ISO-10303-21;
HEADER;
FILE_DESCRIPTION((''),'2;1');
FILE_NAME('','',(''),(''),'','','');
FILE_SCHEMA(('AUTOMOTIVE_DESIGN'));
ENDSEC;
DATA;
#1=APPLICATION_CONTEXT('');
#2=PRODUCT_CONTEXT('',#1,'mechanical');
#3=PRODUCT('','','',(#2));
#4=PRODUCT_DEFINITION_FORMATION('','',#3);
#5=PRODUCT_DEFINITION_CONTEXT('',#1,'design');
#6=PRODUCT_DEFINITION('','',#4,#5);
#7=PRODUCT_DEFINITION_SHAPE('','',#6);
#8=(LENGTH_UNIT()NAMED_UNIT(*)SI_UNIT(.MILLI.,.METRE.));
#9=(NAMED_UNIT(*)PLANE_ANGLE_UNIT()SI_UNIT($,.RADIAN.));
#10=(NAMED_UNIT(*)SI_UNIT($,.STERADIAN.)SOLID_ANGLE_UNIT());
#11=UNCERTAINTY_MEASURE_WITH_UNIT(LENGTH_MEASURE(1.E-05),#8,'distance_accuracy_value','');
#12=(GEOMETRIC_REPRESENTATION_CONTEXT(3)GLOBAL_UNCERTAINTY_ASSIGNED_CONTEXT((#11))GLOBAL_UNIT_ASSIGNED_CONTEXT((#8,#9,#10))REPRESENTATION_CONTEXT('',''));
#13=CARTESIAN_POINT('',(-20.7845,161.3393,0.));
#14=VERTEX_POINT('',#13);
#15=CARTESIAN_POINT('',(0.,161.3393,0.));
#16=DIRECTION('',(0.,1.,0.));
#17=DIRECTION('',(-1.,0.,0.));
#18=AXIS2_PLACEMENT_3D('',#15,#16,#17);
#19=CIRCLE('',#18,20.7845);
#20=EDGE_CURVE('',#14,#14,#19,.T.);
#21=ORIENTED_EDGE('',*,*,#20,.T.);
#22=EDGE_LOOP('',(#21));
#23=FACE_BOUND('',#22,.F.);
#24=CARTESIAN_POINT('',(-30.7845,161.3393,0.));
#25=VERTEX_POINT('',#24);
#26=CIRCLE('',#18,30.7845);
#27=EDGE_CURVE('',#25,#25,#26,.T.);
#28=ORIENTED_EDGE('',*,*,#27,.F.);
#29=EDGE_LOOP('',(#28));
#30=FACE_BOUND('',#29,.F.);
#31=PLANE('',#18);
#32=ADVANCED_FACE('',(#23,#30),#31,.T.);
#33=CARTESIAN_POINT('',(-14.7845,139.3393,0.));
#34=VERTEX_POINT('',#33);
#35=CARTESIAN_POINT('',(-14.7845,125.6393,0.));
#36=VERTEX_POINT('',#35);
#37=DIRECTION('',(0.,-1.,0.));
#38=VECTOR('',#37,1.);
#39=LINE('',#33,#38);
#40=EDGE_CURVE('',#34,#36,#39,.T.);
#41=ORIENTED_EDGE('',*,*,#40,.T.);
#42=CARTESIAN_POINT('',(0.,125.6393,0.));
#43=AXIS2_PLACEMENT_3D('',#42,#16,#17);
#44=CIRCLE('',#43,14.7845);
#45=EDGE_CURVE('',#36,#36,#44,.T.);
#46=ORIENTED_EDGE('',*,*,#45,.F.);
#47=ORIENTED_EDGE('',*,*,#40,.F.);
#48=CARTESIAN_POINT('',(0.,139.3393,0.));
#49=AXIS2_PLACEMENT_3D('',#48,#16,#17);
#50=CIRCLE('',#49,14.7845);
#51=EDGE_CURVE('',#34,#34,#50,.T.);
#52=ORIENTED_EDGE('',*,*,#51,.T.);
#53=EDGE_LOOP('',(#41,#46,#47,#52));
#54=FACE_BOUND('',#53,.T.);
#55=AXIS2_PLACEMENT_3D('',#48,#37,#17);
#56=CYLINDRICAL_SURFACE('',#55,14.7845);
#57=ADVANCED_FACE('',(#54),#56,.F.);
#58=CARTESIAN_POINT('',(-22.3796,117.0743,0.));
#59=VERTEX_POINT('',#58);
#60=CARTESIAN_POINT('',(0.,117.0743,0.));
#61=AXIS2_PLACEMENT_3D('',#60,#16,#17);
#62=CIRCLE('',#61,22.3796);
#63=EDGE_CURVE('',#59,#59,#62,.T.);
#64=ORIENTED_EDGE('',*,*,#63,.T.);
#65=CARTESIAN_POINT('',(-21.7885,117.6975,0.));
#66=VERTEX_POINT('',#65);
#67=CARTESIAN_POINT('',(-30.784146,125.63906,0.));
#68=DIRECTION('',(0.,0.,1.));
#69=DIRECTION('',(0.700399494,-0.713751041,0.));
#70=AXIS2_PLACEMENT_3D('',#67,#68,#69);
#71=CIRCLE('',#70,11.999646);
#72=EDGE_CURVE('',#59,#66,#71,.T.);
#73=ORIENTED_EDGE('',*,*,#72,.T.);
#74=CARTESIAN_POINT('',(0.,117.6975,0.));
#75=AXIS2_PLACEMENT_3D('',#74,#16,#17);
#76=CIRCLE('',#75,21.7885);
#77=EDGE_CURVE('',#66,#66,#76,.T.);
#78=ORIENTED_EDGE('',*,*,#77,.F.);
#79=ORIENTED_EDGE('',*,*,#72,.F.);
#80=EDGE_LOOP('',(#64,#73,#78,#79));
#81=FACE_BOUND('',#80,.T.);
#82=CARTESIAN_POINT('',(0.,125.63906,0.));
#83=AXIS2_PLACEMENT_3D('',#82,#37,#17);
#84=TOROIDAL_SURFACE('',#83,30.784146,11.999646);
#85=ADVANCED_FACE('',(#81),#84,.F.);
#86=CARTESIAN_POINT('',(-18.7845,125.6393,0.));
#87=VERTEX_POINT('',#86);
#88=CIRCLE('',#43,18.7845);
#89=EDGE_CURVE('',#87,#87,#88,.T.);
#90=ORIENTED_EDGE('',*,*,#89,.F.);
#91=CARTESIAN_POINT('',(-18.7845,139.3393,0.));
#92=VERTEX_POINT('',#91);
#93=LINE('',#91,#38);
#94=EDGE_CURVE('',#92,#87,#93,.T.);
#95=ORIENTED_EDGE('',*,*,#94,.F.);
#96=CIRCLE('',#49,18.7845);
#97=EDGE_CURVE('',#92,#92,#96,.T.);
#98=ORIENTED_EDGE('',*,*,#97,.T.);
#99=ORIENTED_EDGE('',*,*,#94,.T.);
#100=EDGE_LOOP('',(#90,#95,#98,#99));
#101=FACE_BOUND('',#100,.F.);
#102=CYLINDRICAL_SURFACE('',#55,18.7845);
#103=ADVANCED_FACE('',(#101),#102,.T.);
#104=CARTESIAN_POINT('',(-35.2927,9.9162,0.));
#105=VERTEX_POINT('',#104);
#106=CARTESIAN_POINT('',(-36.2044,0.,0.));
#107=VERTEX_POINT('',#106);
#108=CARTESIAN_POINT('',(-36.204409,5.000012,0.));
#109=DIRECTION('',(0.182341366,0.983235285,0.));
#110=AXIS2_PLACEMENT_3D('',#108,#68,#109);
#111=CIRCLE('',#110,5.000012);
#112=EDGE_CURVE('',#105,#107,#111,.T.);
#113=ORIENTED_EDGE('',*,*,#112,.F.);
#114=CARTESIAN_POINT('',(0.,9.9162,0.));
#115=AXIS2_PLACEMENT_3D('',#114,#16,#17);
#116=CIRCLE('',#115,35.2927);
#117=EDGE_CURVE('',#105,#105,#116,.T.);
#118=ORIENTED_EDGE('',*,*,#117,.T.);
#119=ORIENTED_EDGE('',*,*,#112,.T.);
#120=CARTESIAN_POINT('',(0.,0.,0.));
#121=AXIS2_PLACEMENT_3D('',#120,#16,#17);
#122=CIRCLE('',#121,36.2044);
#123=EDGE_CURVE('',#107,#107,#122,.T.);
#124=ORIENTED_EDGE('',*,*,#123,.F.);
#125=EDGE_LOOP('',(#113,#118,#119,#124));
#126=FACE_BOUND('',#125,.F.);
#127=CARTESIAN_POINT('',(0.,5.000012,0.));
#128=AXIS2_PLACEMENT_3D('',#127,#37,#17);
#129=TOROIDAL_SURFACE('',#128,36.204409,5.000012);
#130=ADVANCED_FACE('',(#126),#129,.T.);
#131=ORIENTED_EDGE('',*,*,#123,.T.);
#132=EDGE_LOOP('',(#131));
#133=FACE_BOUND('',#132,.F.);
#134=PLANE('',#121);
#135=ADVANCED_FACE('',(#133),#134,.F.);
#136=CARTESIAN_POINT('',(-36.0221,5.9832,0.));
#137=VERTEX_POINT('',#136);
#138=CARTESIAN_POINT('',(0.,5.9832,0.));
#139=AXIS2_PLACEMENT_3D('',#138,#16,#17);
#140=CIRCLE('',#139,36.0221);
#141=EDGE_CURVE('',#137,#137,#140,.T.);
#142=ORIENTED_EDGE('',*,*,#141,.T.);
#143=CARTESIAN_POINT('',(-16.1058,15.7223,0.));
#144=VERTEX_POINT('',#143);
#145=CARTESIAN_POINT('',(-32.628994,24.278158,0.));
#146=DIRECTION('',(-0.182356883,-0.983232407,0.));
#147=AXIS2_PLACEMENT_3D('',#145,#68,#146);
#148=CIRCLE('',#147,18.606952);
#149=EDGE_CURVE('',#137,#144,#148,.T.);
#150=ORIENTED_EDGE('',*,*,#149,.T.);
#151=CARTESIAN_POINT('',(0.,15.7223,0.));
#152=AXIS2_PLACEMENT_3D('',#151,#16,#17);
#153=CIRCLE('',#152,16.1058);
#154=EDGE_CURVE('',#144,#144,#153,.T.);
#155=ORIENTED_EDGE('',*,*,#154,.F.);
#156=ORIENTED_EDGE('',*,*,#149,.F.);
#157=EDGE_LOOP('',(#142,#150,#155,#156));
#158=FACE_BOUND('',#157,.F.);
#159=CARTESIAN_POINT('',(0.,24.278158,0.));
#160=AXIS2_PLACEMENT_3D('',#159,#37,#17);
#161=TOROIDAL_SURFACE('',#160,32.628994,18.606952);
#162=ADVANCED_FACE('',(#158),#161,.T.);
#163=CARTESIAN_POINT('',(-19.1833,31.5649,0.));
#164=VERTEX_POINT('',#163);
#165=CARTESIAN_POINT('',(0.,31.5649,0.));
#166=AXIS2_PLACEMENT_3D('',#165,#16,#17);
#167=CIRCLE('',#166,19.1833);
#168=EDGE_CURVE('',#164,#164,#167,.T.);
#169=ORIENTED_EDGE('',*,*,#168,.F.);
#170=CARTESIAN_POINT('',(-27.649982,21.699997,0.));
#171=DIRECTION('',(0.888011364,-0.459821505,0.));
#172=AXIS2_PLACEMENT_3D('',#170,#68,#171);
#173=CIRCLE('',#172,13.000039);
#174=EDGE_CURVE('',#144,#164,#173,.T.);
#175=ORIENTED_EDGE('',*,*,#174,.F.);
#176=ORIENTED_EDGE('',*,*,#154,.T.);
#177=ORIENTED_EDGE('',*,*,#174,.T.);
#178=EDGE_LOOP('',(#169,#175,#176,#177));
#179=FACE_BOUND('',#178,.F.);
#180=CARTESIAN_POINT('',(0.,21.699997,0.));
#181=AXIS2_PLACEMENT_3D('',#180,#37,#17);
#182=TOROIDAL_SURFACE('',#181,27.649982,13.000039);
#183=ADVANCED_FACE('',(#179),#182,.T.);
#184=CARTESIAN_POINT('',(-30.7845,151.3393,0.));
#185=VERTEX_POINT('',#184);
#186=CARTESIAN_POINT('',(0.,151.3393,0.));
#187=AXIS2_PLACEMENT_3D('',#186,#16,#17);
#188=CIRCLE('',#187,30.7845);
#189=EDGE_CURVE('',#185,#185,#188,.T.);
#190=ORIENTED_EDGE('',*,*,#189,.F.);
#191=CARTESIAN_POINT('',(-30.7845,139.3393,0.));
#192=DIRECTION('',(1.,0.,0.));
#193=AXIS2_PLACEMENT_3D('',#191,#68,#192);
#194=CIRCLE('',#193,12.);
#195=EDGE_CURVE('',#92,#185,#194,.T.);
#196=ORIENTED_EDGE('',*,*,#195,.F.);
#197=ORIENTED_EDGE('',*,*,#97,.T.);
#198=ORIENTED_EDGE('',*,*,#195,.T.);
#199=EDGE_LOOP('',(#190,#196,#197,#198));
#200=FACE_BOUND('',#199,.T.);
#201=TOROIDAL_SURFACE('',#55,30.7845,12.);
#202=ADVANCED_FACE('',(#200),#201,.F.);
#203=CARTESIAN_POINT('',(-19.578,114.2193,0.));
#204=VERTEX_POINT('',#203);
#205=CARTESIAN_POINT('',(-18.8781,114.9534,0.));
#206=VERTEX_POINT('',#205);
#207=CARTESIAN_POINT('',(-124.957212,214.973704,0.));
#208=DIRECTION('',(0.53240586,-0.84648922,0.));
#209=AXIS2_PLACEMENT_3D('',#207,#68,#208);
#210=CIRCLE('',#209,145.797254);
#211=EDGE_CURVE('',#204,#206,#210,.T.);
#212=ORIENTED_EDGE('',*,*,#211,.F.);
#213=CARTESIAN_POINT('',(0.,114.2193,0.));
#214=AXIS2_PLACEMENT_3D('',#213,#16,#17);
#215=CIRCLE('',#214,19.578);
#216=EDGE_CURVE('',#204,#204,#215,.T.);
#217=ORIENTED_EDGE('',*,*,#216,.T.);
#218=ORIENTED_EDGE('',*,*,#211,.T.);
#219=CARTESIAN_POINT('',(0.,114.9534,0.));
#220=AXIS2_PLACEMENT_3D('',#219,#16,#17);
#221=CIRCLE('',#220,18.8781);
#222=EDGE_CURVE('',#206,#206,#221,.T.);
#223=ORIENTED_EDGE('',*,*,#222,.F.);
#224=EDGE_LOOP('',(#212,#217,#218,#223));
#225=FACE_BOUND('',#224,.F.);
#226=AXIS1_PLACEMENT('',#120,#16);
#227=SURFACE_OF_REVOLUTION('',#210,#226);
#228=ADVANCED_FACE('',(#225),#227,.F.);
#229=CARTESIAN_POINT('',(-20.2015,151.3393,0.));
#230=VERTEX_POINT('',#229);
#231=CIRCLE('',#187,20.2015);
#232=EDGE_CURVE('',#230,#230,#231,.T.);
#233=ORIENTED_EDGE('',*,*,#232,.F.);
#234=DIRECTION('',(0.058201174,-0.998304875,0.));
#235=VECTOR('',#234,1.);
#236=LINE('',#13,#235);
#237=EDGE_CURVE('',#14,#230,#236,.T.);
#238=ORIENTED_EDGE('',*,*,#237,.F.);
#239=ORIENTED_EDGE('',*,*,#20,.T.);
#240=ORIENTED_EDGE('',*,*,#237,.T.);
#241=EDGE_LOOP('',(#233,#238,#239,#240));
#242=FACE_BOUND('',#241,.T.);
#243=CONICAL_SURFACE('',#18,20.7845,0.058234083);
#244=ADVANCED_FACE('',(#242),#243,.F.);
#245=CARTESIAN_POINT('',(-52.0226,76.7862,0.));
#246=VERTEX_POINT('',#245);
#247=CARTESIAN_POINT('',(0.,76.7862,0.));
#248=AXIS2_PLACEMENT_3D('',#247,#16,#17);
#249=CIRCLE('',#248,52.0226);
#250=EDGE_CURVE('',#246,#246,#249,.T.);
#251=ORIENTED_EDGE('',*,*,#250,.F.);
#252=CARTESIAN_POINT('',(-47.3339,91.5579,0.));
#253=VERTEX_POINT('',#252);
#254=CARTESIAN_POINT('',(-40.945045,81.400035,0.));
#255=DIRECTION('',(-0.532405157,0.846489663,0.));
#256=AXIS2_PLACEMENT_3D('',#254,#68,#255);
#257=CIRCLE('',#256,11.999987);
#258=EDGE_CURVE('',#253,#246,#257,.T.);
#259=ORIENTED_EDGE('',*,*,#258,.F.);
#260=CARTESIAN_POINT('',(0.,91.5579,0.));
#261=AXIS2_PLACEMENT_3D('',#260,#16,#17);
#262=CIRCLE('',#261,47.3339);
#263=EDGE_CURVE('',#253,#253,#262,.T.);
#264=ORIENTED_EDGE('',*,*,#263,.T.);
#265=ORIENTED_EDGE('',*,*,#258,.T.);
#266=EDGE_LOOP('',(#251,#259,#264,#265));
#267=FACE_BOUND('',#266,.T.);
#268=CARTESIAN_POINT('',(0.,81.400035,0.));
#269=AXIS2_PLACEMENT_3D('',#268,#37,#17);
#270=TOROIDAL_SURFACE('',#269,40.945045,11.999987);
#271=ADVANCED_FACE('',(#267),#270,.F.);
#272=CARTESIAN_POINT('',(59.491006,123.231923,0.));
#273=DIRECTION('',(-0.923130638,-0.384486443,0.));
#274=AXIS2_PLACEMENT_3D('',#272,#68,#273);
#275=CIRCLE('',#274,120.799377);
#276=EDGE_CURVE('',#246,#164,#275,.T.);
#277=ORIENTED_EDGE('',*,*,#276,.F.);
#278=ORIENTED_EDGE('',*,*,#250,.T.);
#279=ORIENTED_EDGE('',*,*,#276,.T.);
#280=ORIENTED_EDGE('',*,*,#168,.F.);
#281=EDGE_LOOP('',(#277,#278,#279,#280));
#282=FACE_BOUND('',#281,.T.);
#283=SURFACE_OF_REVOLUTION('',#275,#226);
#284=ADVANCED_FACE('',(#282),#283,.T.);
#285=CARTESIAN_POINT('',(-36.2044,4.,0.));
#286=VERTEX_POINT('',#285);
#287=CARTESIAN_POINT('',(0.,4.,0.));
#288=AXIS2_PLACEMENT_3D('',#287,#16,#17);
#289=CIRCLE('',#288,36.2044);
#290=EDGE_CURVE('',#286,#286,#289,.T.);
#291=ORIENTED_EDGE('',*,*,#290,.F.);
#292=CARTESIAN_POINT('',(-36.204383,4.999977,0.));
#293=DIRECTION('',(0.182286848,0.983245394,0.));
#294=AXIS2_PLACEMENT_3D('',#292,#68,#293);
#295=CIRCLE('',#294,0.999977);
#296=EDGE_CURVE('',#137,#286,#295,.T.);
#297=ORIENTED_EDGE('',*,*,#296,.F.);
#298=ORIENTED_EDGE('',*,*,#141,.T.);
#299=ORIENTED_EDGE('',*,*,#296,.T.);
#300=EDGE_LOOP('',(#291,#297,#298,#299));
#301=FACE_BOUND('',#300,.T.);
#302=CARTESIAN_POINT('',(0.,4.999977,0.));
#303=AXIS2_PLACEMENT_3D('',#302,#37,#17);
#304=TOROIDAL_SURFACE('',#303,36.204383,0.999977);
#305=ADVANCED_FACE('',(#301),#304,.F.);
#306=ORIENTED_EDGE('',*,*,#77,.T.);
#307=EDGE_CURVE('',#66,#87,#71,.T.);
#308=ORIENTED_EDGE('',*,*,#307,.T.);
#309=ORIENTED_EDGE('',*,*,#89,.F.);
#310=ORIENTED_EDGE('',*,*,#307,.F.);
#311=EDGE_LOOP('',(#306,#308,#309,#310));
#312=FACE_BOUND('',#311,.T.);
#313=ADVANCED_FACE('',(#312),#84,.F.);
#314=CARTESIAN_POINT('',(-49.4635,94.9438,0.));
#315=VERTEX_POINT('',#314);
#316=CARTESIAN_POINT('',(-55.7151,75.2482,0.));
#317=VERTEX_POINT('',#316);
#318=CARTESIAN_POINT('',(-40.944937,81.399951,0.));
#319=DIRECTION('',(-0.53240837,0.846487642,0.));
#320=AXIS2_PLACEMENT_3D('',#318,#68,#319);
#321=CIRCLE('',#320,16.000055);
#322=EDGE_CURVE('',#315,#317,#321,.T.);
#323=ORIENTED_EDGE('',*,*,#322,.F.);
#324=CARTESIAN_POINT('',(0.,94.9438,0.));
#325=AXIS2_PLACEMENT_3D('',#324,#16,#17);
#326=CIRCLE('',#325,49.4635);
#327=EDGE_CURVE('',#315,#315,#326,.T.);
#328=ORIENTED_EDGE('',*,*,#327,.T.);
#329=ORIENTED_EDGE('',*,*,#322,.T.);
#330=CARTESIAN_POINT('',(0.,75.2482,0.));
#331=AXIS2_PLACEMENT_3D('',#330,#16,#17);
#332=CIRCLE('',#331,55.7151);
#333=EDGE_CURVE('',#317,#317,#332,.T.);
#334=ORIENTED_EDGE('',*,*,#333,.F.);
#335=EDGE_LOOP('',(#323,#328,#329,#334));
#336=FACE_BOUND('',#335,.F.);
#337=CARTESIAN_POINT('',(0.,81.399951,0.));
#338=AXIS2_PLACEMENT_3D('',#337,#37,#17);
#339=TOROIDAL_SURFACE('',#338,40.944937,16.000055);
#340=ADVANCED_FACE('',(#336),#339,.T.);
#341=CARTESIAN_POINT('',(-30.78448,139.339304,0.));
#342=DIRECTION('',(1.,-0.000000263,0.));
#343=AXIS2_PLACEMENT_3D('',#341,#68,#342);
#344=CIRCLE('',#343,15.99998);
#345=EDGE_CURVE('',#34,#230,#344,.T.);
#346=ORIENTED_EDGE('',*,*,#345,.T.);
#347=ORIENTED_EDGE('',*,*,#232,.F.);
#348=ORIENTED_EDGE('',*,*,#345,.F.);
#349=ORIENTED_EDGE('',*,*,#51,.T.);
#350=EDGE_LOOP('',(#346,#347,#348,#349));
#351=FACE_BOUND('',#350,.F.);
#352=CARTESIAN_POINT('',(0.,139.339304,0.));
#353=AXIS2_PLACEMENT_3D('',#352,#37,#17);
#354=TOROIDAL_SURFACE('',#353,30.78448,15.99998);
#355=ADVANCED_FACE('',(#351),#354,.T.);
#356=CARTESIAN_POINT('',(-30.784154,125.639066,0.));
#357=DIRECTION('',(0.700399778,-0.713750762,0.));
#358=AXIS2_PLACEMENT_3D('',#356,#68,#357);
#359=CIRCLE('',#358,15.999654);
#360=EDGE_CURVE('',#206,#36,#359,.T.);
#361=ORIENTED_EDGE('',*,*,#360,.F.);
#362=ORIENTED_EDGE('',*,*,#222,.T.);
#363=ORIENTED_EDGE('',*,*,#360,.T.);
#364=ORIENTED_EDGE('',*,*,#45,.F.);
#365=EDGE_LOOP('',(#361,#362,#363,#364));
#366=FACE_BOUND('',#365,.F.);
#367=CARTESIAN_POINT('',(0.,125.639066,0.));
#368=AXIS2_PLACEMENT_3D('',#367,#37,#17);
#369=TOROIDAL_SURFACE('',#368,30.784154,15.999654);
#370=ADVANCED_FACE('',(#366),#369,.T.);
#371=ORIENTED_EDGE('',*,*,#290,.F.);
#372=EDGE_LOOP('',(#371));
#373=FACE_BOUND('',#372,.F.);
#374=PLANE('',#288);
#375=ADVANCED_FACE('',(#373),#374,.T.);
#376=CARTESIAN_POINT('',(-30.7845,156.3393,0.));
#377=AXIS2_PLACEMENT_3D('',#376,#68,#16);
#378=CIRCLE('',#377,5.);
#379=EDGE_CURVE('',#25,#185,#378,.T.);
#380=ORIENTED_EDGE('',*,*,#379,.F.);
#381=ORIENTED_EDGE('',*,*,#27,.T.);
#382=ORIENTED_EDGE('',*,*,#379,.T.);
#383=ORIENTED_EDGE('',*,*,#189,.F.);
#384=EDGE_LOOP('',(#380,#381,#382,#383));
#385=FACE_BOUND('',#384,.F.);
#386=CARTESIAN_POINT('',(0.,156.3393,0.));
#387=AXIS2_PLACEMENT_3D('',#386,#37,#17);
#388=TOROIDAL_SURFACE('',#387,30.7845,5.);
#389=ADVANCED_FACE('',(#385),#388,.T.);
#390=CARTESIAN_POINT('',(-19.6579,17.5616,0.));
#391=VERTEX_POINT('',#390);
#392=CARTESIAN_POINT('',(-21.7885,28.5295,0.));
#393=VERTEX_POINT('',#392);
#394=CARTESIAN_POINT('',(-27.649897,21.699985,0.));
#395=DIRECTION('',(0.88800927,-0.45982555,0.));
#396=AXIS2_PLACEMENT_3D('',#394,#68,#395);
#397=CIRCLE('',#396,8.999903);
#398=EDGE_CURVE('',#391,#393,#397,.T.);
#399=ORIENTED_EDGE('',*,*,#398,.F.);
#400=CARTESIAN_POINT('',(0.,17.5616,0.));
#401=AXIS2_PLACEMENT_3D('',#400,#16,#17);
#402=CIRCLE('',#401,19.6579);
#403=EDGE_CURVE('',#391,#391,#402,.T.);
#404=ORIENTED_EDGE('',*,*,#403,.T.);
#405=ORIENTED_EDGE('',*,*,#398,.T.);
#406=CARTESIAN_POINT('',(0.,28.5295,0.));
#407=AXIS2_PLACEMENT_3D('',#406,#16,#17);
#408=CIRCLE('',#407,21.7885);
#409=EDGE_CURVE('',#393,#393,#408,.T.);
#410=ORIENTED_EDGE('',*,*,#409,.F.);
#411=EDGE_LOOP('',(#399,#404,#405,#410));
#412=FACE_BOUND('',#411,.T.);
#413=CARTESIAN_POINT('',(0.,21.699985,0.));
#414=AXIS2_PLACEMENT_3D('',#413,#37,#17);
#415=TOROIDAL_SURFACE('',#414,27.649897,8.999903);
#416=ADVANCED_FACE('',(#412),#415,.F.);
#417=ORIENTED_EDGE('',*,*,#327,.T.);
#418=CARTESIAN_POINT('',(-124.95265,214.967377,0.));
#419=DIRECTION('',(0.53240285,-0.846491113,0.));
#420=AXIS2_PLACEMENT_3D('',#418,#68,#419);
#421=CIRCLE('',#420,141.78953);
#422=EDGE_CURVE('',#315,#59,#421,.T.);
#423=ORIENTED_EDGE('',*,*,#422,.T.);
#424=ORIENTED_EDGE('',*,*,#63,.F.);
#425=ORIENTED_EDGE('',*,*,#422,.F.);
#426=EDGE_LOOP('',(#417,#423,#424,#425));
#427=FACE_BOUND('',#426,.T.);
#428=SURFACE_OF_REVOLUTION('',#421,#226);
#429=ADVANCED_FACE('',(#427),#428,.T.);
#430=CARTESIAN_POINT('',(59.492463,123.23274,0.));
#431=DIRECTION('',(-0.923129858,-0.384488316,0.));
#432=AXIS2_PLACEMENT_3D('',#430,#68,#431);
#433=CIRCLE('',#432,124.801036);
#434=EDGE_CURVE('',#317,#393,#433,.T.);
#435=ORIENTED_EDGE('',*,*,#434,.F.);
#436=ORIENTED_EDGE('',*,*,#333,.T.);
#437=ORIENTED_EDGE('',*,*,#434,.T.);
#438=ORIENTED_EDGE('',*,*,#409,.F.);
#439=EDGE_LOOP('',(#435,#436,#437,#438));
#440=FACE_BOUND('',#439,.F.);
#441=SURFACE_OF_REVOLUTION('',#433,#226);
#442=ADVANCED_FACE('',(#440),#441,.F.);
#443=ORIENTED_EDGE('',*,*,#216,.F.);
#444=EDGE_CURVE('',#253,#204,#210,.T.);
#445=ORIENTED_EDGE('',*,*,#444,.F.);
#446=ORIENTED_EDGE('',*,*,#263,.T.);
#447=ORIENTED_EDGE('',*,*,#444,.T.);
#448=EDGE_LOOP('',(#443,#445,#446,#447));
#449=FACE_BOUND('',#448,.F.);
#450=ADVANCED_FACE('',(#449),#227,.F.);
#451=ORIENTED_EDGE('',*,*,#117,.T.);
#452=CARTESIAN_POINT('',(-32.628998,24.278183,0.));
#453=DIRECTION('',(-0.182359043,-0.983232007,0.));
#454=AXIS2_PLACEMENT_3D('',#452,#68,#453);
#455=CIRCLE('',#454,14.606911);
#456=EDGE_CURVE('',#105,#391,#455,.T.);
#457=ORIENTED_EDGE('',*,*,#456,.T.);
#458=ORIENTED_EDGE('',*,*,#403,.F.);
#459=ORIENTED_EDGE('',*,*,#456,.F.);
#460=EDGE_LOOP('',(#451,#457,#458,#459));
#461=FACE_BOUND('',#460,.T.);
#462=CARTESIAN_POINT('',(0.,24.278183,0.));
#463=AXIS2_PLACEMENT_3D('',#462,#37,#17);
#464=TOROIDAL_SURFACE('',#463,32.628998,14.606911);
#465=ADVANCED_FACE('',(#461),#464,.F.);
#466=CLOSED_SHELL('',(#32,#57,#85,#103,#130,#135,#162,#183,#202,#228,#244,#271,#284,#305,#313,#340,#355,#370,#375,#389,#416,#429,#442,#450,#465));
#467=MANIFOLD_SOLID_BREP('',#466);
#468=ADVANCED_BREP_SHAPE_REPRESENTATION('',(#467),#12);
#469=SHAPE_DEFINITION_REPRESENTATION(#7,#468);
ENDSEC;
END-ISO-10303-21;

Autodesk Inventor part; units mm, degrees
ref_plane "YZ Plane" through (0, 0, 0) normal (1, 0, 0) x (0, 1, 0)
ref_plane "XZ Plane" through (0, 0, 0) normal (0, 1, 0) x (-1, 0, 0)
ref_plane "XY Plane" through (0, 0, 0) normal (0, 0, 1) x (1, 0, 0)
sketch "Sketch1" plane through (0, 0, 0) normal (0, 0, 1) x (1, 0, 0)
  line L0 (-263.2137, 47.6556) -> (-59.7844, 47.6556) construction
  line L1 (-59.7844, 47.6556) -> (-59.7844, -127.6195) construction
  line L2 (-59.7844, -127.6195) -> (-263.2137, -127.6195) construction
  line L3 (-263.2137, -127.6195) -> (-263.2137, 47.6556) construction
  line L4 (-20.7845, 161.3393) -> (-30.7845, 161.3393)
  arc A0 (-30.7845, 161.3393) -> (-30.7845, 151.3393) centre (-30.7845, 156.3393) ccw
  arc A1 (-19.6579, 17.5616) -> (-21.7885, 28.5295) centre (-27.65, 21.7) ccw
  arc A2 (-35.2927, 9.9162) -> (-36.2044, 0) centre (-36.2044, 5) ccw
  arc A3 (-49.4635, 94.9438) -> (-55.7151, 75.2482) centre (-40.945, 81.4) ccw
  arc A4 (-55.7151, 75.2482) -> (-21.7885, 28.5295) centre (59.4915, 123.2322) ccw
  arc A5 (-35.2927, 9.9162) -> (-19.6579, 17.5616) centre (-32.629, 24.2782) ccw
  arc A6 (-18.7845, 139.3393) -> (-30.7845, 151.3393) centre (-30.7845, 139.3393) ccw
  line L5 (-18.7845, 139.3393) -> (-18.7845, 125.6393)
  arc A7 (-22.3796, 117.0743) -> (-18.7845, 125.6393) centre (-30.7845, 125.6393) ccw
  arc A8 (-49.4635, 94.9438) -> (-21.7885, 117.6975) centre (-124.9562, 214.9723) ccw
  line L6 (0, 0) -> (0, 197.1464)
  line L7 (0, 0) -> (0, -39.9819)
  line L8 (-36.2044, 0) -> (0, 0)
  line L9 (0, 4) -> (-36.2044, 4)
  arc A9 (-36.0221, 5.9832) -> (-36.2044, 4) centre (-36.2044, 5) ccw
  arc A10 (-36.0221, 5.9832) -> (-16.1058, 15.7223) centre (-32.629, 24.2782) ccw
  arc A11 (-16.1058, 15.7223) -> (-19.1833, 31.5649) centre (-27.65, 21.7) ccw
  arc A12 (-52.0226, 76.7862) -> (-19.1833, 31.5649) centre (59.4915, 123.2322) ccw
  arc A13 (-47.3339, 91.5579) -> (-52.0226, 76.7862) centre (-40.945, 81.4) ccw
  arc A14 (-47.3339, 91.5579) -> (-18.8781, 114.9534) centre (-124.9562, 214.9723) ccw
  arc A15 (-14.7845, 139.3393) -> (-20.2015, 151.3393) centre (-30.7845, 139.3393) ccw
  line L10 (-14.7845, 139.3393) -> (-14.7845, 125.6393)
  arc A16 (-19.578, 114.2193) -> (-14.7845, 125.6393) centre (-30.7845, 125.6393) ccw
  line L11 (-20.7845, 161.3393) -> (-20.2015, 151.3393)
  line L12 (0, 4) -> (0, 0)
  point P0 (-0.7845, 155.0151)
  point P1 (34.2155, 155.0151)
  point P2 (-35.7845, 156.3393)
  point P3 (-19.5283, 114.2683)
  dimension "d12" = 5
  dimension "d21" = 18
  dimension "d24" = 10
  dimension "d25" = 32
  dimension "d26" = 59.7
  dimension "d27" = 124.8
  dimension "d32" = 24
  dimension "d33" = 13.7
  dimension "d34" = 24
  dimension "d36" = 16.7
  dimension "d39" = 4
revolve "Revolution1" add sketch "Sketch1" angle 360 about axis through (0, 0, 0) along (0, 1, 0) contours L11 A15 L10 A16 A14 A13 A12 A11 A10 A9 L9 L6 L8 A2 A5 A1 A4 A3 A8 A7 L5 A6 A0 L4
properties part number "cad@66"
